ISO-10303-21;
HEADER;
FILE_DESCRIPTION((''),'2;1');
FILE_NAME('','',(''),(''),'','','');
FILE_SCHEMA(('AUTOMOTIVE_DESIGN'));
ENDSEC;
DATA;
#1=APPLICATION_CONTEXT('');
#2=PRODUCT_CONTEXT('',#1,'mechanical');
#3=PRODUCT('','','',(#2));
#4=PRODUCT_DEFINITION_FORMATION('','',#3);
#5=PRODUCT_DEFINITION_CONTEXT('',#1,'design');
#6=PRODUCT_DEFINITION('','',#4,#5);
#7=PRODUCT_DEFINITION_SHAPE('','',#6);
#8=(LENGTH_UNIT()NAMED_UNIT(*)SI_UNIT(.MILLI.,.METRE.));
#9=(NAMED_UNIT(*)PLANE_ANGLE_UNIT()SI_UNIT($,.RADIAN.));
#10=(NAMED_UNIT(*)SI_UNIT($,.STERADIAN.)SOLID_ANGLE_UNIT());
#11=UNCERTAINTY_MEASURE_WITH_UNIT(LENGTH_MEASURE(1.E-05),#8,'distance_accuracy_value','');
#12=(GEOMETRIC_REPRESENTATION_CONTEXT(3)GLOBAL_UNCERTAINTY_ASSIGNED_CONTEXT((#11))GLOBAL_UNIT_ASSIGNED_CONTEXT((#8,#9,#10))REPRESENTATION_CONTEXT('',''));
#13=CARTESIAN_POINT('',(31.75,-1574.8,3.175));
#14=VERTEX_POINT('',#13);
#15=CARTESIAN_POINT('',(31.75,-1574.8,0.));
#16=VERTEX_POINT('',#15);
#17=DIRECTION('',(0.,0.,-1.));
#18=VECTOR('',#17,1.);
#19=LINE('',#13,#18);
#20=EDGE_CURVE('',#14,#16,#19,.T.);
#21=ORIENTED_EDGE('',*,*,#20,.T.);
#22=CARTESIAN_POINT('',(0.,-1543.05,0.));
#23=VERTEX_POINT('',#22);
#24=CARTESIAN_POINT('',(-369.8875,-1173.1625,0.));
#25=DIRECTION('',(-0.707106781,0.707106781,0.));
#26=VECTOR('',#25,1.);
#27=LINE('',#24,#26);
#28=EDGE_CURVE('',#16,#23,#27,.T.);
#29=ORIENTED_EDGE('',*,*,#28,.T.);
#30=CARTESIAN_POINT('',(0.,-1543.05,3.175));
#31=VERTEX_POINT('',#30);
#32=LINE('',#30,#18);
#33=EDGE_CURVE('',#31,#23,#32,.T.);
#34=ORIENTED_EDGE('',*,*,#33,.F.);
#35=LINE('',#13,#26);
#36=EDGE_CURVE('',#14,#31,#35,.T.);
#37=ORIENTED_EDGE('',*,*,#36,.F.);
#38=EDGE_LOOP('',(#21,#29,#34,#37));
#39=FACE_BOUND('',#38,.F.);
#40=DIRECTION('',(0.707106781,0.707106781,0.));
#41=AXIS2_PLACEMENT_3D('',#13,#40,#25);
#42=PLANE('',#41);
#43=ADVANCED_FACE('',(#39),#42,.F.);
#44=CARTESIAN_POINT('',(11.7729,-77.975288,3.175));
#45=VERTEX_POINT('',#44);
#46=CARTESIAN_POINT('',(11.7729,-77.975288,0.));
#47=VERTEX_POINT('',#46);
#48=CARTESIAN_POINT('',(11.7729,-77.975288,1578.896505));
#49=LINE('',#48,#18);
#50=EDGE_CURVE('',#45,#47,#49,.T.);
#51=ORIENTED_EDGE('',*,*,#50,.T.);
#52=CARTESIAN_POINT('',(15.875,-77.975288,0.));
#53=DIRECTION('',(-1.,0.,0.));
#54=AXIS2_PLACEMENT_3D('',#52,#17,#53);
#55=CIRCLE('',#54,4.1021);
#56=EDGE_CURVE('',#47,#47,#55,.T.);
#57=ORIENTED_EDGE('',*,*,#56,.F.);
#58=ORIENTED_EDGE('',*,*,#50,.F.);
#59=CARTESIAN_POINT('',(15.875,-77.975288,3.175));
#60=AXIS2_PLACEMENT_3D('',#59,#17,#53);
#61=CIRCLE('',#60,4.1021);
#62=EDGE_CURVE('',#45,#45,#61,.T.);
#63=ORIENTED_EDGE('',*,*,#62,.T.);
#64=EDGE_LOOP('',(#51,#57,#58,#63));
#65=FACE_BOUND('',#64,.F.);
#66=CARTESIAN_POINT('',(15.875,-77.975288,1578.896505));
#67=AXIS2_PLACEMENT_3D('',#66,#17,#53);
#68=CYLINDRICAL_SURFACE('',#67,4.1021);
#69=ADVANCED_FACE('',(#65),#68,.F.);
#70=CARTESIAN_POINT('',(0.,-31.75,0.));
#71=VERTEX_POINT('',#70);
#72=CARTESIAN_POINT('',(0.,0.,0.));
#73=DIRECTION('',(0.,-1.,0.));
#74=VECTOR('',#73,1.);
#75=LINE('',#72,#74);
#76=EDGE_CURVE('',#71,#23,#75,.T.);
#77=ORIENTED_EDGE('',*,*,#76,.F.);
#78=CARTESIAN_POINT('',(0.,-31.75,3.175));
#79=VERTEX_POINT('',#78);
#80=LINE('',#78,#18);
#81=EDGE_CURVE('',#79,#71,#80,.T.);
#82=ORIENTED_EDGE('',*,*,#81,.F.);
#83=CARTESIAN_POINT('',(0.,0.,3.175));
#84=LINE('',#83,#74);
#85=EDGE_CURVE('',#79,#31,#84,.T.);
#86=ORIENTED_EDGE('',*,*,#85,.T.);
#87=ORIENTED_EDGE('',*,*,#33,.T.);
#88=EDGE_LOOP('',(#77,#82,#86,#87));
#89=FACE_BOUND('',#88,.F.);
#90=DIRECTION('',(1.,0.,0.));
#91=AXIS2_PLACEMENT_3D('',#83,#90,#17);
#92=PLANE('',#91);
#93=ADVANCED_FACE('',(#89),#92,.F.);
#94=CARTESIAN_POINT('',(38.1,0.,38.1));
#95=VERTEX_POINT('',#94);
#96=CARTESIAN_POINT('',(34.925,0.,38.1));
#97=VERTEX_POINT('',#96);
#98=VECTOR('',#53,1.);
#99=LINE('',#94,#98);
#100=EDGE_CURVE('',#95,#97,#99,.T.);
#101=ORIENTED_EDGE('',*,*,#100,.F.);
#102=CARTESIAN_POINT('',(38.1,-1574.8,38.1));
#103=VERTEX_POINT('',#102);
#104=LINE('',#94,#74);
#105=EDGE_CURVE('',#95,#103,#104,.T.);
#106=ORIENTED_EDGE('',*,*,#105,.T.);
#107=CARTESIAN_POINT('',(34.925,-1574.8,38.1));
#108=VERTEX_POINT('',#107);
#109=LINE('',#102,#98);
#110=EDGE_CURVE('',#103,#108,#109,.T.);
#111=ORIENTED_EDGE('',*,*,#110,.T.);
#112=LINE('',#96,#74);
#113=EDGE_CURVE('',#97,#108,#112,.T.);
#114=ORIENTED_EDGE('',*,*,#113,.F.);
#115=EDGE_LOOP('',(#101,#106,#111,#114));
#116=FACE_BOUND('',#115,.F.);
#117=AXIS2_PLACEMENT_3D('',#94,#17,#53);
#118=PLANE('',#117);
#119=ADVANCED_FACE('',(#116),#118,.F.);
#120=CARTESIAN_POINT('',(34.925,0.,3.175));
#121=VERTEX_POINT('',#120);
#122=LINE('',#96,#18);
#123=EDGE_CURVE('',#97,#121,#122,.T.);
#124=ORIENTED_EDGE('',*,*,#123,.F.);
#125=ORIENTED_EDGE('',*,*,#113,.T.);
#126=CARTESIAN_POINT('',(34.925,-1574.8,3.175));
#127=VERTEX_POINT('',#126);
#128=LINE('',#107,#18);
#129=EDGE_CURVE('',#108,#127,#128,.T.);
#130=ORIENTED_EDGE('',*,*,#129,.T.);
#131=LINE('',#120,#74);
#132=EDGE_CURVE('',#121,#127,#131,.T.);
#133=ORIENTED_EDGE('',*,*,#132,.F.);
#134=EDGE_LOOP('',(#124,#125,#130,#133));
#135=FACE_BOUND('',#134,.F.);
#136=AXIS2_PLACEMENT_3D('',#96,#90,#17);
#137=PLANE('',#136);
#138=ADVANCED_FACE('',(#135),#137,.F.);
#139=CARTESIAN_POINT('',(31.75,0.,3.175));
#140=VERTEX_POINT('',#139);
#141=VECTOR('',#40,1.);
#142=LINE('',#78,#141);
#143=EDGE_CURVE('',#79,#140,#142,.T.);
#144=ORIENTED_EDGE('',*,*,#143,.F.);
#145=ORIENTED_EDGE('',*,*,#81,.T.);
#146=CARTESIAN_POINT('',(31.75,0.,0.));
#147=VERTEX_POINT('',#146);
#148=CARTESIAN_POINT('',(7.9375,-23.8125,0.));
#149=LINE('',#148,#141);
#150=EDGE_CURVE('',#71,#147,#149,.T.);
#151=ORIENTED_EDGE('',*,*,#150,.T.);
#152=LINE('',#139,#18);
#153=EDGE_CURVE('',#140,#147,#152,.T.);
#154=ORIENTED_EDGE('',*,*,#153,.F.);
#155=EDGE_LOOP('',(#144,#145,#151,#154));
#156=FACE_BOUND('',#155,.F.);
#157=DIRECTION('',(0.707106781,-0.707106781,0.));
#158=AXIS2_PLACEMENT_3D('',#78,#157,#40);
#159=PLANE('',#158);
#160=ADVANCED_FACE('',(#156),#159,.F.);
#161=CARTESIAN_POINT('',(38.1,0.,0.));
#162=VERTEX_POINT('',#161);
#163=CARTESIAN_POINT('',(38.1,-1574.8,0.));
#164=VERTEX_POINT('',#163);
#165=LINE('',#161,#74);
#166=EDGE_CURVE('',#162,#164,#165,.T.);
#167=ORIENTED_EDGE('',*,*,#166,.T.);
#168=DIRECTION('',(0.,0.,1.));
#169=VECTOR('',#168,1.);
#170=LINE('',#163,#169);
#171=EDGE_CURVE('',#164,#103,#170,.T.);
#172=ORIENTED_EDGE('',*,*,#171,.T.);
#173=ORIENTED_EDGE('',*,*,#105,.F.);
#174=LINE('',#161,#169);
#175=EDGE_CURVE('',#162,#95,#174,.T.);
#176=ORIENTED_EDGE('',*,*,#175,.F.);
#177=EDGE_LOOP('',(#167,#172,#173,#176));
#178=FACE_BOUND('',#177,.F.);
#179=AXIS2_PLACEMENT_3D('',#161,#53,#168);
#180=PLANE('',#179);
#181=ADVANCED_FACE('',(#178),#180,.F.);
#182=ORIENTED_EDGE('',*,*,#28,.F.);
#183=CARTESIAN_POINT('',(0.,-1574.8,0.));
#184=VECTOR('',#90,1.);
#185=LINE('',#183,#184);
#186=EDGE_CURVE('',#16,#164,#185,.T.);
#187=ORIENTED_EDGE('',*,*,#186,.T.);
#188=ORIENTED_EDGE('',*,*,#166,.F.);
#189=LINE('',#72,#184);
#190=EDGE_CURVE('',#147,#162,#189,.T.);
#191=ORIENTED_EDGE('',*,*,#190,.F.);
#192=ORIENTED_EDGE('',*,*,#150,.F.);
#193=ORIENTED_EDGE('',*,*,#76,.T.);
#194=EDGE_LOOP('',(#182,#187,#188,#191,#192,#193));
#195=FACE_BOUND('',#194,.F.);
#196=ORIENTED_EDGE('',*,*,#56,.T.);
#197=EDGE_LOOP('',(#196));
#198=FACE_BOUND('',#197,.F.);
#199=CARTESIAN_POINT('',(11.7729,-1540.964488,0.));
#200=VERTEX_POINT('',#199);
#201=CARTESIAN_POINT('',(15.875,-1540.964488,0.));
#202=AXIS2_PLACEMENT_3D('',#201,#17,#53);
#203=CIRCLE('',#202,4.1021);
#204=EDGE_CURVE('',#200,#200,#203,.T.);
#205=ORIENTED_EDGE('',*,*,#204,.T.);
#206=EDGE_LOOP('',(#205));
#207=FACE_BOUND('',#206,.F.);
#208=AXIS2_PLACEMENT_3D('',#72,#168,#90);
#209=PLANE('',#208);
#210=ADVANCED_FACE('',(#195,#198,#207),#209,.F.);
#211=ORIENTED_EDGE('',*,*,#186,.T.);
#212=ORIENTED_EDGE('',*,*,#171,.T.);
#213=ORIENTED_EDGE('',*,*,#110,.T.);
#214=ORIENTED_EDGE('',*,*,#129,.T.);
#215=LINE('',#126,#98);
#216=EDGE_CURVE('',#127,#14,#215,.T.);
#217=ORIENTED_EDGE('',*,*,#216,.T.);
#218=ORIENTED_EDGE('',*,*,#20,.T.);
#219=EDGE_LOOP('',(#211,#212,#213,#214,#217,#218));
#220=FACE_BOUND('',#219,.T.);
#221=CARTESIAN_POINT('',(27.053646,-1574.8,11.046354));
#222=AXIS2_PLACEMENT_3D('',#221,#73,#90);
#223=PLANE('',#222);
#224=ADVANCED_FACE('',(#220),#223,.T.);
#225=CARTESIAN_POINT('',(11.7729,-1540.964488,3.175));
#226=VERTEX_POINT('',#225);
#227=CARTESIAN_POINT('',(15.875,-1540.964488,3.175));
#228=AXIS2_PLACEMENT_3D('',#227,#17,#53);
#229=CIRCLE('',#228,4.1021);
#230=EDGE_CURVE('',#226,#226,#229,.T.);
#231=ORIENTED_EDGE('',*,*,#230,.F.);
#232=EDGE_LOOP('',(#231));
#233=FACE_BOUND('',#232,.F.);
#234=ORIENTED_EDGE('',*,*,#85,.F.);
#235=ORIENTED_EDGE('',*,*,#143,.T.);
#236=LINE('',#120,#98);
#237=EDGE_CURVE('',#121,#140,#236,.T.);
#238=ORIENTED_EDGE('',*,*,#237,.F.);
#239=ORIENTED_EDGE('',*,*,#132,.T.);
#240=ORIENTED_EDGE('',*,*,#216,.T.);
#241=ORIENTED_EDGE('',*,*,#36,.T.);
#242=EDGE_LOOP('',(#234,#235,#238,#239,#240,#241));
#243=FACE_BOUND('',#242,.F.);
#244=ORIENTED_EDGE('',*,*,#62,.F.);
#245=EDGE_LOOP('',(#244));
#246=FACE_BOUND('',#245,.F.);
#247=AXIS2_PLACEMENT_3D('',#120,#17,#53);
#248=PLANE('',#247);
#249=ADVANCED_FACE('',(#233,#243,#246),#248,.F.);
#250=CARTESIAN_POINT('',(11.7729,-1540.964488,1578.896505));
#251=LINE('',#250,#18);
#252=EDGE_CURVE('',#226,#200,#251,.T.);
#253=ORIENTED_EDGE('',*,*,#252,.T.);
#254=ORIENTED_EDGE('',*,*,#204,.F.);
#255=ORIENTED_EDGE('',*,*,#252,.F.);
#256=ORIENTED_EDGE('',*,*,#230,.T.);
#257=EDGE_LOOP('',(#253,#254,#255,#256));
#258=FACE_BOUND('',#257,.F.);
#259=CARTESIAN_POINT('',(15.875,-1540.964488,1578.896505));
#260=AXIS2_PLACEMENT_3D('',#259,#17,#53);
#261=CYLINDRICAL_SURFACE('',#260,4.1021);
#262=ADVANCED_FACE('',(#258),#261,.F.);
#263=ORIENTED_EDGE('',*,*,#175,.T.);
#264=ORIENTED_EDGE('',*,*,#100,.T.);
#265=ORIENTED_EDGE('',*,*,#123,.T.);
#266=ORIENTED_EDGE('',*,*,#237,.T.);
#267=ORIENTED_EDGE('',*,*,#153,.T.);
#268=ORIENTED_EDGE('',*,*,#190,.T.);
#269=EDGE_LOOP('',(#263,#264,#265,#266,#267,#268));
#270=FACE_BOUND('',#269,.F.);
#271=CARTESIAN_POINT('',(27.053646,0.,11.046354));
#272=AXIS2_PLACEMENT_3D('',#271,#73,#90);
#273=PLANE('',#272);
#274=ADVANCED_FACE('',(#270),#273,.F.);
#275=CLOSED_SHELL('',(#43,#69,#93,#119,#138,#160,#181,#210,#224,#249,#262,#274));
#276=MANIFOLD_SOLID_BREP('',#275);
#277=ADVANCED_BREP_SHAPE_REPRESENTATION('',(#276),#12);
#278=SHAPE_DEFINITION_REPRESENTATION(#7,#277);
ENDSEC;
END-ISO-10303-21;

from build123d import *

# Parameters (mm, degrees)
F1_DEPTH = 1574.8
F3_DEPTH = 3.176
F5_D     = 8.2042


with BuildPart() as f1:
    # F0 (on Front) → F1 (new body)
    with BuildSketch(Plane.XZ):
        Polygon((0, 3.175), (0, 0), (38.1, 0), (38.1, 38.1), (34.925, 38.1), (34.925, 3.175), align=None)
    extrude(amount=F1_DEPTH)

    # F2 (on face) → F3 (cut, through all)
    with BuildSketch(Plane.XY.offset(3.175)):
        Polygon((0, -1574.8), (31.75, -1574.8), (0, -1543.05), align=None)
        Polygon((0, 0), (0, -31.75), (31.75, 0), align=None)
    extrude(amount=-F3_DEPTH, mode=Mode.SUBTRACT)

    # F5 (through all)
    with Locations(Plane.XY.offset(3.175)):
        with Locations((15.875, -1540.9644877579), (15.875, -77.9752877579)):
            Hole(F5_D / 2)


solid = f1.part
